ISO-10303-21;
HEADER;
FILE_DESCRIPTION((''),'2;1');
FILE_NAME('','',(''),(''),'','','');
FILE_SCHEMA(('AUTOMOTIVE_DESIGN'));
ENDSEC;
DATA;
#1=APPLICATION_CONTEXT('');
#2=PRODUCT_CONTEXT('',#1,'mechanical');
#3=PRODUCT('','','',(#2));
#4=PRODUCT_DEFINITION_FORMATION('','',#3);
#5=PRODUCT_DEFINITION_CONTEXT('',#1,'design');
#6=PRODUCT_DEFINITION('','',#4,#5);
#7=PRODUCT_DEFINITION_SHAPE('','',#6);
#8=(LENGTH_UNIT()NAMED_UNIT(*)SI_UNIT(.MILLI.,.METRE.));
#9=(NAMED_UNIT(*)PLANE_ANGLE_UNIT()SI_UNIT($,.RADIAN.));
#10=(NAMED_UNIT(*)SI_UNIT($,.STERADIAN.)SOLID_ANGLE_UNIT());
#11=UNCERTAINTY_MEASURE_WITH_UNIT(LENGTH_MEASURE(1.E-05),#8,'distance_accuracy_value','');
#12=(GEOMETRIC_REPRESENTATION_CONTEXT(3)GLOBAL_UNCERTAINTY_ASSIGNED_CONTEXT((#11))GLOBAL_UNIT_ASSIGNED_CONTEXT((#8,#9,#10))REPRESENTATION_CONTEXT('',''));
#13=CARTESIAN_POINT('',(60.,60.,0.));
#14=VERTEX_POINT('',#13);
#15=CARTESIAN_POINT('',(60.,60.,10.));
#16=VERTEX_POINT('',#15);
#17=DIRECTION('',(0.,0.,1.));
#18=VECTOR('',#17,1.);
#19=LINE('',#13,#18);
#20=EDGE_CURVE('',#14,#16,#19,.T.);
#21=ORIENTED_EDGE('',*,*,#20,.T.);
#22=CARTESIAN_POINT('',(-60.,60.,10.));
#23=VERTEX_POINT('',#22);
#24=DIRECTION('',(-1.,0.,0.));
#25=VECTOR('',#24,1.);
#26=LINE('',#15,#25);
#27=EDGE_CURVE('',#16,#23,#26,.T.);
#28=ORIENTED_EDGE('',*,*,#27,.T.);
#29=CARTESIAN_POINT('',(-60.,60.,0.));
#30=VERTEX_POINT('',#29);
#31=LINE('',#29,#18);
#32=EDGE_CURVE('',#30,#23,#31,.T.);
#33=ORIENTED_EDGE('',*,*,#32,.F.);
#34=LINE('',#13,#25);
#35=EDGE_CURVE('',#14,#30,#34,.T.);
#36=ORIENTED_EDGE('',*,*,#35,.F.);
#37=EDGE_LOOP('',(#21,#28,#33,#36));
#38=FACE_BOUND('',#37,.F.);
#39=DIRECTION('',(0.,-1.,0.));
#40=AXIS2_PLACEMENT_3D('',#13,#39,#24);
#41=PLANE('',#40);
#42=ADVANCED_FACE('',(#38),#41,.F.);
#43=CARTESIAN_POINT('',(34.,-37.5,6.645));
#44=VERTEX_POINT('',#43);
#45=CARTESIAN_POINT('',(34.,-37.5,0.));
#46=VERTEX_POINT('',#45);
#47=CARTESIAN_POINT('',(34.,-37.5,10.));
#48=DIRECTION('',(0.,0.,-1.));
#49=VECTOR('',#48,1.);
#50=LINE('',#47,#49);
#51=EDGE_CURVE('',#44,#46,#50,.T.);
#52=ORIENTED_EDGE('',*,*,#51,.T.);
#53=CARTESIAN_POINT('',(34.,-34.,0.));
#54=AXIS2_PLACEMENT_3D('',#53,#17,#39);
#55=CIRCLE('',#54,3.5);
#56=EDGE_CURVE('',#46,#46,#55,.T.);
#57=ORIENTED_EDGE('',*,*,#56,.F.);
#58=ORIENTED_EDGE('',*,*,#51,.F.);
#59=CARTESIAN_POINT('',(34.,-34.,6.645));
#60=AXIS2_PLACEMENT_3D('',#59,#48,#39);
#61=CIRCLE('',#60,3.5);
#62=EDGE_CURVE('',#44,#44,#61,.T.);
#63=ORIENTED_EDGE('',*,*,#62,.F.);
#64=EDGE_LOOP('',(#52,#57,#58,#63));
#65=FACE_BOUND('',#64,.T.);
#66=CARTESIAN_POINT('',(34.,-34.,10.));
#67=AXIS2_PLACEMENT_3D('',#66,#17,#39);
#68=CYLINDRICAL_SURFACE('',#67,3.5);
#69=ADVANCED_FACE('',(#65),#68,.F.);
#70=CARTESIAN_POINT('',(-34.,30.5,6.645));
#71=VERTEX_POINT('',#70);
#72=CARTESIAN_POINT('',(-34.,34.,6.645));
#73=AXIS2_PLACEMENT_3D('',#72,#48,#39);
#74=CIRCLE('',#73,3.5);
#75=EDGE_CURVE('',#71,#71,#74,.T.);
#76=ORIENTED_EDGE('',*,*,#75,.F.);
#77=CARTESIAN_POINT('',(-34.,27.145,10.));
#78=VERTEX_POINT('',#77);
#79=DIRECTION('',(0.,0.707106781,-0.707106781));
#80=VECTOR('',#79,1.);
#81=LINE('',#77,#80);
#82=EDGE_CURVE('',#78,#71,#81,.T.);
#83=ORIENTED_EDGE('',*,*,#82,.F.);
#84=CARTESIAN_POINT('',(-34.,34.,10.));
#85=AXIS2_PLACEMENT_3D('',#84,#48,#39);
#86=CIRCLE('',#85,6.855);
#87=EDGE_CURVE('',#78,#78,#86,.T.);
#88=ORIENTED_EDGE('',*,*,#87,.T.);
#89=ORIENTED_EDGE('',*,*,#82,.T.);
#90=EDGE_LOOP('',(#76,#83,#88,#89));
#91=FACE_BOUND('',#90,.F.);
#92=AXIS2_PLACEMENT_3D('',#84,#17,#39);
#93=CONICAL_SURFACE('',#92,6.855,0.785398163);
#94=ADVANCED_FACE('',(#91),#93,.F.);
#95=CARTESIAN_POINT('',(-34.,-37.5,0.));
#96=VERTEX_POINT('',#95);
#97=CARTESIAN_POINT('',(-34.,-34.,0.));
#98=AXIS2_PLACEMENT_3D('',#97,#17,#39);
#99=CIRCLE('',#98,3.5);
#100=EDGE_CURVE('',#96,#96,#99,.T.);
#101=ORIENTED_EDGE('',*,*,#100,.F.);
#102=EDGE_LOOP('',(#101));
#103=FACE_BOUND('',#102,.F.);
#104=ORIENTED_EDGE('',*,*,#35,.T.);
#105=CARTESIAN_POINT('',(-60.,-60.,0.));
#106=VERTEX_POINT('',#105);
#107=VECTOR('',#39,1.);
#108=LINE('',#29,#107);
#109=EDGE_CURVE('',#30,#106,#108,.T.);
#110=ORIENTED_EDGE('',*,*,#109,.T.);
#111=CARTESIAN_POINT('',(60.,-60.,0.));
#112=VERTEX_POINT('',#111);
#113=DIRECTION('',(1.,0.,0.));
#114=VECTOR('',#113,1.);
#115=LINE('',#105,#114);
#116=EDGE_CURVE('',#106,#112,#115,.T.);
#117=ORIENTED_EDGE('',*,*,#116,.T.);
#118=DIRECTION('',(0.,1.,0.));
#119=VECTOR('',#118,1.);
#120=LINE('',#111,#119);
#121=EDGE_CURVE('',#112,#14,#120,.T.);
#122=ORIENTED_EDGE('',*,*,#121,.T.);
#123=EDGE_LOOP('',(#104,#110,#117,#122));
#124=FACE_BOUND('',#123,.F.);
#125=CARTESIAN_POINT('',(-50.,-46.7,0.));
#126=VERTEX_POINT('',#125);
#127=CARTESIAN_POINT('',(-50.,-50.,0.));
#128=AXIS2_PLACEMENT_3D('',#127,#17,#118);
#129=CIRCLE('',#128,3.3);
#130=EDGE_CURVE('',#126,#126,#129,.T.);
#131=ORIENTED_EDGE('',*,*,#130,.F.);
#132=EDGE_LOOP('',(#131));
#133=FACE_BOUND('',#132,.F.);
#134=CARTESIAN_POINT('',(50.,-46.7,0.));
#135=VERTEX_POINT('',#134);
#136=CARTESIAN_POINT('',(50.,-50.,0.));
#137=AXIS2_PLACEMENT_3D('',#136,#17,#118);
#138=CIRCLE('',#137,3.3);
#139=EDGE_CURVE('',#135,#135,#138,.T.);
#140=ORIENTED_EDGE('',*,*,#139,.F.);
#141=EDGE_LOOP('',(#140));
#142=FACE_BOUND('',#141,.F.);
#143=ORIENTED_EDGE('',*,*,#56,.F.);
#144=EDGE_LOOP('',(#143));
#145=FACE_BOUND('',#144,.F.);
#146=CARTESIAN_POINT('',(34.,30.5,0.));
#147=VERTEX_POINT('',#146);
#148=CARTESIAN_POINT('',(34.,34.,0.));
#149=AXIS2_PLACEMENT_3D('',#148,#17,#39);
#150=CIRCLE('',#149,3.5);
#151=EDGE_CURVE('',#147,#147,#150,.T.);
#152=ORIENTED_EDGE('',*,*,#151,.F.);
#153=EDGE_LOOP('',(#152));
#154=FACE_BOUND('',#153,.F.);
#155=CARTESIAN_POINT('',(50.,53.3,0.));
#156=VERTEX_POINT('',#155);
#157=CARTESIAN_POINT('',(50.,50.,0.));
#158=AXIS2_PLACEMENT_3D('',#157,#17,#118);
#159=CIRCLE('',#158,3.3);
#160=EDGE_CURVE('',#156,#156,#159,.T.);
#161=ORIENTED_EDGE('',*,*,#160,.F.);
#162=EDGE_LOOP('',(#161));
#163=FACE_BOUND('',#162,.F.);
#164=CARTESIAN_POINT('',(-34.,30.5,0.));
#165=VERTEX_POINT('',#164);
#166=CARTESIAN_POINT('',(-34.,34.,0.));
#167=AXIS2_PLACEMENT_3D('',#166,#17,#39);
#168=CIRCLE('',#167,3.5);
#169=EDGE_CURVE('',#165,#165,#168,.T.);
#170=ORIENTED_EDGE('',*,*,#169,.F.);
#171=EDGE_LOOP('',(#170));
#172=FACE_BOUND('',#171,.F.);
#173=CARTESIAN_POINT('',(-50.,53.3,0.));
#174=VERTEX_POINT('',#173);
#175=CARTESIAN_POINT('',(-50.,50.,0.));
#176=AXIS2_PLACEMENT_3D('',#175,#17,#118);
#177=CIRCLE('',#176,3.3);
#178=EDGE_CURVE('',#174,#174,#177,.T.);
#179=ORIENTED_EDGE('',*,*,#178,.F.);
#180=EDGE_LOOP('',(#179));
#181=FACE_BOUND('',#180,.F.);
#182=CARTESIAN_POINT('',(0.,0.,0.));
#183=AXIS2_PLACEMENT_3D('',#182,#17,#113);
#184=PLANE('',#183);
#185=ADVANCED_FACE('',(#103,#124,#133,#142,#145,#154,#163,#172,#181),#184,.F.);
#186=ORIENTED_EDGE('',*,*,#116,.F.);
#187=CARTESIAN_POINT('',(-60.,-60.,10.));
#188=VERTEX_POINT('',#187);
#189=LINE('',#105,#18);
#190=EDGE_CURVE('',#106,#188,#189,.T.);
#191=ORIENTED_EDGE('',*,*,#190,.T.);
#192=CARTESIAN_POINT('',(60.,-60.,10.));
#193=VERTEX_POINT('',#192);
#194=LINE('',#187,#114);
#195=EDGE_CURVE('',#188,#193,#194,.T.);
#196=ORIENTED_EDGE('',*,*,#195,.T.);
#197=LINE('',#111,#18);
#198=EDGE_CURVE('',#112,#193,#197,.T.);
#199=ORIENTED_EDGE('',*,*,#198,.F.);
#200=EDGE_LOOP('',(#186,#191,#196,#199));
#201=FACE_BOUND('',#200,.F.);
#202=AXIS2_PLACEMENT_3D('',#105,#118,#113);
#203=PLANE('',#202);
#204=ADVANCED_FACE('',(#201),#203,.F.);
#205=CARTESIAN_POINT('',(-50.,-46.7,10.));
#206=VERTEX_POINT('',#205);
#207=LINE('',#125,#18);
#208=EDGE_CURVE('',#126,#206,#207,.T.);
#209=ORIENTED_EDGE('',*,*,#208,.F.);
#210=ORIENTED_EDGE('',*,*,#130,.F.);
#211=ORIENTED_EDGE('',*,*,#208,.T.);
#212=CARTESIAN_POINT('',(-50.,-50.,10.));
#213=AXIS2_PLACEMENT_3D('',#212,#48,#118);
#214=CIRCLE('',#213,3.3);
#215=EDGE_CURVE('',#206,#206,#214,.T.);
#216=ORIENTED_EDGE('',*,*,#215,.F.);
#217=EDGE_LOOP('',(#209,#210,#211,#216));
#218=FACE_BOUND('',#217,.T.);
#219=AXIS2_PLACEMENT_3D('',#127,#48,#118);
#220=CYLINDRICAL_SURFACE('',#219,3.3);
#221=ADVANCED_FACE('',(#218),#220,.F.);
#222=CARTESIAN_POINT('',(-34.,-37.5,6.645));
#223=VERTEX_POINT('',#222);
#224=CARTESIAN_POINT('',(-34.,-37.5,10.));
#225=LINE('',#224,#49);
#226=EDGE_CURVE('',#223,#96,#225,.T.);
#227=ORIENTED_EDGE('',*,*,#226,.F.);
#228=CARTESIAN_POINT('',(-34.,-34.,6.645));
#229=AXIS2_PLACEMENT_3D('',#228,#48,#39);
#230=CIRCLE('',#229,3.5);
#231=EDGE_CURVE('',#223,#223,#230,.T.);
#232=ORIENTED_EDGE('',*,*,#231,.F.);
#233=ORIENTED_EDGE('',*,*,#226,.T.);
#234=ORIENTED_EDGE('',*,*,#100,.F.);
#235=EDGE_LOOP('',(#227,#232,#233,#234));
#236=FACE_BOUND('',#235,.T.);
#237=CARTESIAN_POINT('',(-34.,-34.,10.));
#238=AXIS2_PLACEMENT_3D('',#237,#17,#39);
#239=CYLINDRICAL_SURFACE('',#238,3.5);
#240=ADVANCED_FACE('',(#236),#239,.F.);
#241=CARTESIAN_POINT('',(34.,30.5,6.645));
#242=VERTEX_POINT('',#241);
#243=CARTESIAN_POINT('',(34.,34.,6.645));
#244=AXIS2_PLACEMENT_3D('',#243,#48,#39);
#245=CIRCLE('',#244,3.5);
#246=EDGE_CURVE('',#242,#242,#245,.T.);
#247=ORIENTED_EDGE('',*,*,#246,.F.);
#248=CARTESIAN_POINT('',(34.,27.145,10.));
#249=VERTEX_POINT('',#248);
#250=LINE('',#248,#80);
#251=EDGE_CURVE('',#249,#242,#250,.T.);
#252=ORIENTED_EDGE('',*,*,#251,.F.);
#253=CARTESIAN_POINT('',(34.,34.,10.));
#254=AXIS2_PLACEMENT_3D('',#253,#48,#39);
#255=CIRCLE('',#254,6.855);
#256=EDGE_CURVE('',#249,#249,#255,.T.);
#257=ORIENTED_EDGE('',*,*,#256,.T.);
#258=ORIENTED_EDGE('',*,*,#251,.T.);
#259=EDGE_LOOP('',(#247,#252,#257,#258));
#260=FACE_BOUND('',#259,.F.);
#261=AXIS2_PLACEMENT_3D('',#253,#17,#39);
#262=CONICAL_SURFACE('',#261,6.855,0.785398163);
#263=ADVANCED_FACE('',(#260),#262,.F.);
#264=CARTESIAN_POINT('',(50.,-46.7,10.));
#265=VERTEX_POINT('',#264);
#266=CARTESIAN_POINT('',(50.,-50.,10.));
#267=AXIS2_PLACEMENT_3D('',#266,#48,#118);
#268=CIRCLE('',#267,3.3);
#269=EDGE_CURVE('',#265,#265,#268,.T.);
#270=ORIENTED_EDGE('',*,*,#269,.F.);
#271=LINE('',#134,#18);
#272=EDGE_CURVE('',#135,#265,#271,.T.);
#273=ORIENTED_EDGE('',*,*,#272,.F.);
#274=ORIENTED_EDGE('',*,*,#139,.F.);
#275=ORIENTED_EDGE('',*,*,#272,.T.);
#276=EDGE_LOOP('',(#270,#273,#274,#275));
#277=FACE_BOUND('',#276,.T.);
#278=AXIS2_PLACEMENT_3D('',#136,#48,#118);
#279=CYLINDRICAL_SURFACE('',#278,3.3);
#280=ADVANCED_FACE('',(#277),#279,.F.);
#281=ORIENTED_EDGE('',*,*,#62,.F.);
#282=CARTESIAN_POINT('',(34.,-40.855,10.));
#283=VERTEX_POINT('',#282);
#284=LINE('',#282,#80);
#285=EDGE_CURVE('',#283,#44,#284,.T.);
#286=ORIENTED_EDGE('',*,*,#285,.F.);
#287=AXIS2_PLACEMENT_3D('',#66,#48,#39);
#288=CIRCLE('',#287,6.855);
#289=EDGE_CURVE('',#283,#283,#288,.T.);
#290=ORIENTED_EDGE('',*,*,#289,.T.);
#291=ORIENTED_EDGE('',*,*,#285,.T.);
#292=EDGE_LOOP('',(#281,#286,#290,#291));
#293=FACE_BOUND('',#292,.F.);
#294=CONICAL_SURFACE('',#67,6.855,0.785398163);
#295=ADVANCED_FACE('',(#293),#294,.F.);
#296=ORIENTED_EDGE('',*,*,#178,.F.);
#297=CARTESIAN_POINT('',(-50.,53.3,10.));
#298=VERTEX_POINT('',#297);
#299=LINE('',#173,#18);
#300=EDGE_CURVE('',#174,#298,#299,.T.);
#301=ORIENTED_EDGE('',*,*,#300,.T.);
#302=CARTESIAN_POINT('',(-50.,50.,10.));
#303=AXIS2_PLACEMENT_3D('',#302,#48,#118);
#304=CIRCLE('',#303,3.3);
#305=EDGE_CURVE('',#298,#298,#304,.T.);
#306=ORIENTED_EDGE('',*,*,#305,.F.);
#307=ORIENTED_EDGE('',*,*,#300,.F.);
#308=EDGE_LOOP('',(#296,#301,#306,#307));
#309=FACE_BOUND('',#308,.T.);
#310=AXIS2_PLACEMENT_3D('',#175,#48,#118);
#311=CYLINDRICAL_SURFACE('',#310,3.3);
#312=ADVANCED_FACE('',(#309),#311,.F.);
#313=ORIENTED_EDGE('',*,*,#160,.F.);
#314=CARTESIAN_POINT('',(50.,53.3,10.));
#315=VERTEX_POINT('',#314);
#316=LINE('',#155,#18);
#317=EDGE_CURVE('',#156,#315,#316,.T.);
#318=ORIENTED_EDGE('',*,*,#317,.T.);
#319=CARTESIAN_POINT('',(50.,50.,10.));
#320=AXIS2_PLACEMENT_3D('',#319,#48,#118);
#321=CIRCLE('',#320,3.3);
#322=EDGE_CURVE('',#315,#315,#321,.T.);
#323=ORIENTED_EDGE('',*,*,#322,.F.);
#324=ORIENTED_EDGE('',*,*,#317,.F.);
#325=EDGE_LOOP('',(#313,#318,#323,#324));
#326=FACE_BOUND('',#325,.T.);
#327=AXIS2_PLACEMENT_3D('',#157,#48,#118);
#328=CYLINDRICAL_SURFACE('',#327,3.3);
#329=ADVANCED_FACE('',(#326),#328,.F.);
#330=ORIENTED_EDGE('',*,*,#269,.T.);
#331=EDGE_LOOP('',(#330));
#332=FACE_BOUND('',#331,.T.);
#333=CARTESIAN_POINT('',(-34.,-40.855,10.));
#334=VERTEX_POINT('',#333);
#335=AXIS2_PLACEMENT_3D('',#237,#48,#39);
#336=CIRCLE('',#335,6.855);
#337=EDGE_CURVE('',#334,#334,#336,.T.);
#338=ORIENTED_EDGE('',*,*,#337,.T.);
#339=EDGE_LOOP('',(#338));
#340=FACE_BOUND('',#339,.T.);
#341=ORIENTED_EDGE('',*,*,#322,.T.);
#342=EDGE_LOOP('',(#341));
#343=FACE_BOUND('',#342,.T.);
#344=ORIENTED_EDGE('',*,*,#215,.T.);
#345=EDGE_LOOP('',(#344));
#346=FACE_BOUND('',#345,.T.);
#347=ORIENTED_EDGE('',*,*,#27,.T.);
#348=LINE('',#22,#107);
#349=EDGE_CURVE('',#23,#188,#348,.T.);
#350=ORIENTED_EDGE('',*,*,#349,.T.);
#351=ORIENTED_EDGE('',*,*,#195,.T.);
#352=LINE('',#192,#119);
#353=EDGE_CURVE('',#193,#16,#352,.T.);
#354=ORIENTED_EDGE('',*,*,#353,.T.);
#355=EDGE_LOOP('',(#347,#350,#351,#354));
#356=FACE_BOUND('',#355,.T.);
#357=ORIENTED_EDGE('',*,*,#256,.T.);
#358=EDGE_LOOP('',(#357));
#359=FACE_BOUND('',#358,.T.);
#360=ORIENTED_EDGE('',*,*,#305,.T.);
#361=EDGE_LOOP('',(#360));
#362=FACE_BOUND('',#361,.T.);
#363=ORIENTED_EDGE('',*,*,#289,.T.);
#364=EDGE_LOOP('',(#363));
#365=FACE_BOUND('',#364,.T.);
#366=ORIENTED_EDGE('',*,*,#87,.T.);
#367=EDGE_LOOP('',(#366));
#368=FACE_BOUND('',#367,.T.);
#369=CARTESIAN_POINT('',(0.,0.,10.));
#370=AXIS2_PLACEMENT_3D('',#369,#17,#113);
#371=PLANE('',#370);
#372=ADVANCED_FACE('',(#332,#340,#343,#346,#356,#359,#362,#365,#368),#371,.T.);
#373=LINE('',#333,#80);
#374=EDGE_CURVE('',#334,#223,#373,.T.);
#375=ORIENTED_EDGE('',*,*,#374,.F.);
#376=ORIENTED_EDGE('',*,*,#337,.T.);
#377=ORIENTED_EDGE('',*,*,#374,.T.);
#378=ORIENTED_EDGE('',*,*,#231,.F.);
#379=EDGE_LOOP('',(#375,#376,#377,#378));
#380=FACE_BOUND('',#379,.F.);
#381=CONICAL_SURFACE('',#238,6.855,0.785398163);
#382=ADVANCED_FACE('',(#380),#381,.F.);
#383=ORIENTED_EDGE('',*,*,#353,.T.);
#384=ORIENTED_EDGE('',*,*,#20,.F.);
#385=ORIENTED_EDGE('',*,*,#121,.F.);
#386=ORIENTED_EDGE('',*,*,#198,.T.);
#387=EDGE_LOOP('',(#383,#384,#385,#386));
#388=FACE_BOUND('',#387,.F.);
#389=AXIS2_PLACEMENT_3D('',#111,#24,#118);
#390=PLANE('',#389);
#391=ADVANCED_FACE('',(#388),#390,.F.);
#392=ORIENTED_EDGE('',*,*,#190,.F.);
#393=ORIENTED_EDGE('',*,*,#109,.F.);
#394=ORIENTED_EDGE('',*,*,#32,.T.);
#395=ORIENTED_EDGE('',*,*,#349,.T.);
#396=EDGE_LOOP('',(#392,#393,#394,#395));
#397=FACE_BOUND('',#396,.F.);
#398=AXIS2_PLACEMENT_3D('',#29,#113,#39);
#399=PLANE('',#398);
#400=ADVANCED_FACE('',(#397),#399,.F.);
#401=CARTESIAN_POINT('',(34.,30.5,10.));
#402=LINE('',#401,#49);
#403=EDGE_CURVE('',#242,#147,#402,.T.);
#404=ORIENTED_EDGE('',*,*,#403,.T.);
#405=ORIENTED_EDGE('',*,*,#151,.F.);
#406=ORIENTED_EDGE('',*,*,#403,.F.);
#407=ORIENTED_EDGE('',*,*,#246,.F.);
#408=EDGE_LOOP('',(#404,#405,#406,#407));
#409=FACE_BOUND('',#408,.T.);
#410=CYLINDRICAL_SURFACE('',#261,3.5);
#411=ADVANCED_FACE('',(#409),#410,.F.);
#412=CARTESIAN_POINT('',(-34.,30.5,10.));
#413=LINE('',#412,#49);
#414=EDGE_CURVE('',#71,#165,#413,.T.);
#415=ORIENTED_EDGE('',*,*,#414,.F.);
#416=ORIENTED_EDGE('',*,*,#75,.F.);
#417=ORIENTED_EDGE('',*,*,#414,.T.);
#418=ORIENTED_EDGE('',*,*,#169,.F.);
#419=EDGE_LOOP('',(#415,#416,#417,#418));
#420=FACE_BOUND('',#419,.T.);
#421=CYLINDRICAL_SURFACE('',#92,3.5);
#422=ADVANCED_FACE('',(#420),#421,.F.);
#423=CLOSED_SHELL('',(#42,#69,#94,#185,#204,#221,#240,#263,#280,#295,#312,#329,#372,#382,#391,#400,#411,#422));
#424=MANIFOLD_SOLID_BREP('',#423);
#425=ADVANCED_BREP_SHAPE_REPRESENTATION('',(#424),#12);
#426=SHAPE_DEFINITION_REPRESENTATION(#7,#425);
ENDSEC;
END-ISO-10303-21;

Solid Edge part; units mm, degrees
sketch "Sketch1" plane through (0, 0, 0) normal (0, 0, 1) x (1, 0, 0)
  line L0 (-60, -60) -> (60, -60)
  line L1 (60, -60) -> (60, 60)
  line L2 (60, 60) -> (-60, 60)
  line L3 (-60, 60) -> (-60, -60)
extrude "Extrusionsausprägung_20" add sketch "Sketch1" along normal blind 10
hole "Bohrung_4" at (34, -34, 10) direction (0, 0, -1) diameter 7 end up to next countersink diameter 13.71 countersink angle 90
hole "Hole1" at (34, 34, 10) direction (0, 0, -1) diameter 7 end up to next countersink diameter 13.71 countersink angle 90
hole "Hole2" at (-34, 34, 10) direction (0, 0, -1) diameter 7 end up to next countersink diameter 13.71 countersink angle 90
hole "Hole3" at (-34, -34, 10) direction (0, 0, -1) diameter 7 end up to next countersink diameter 13.71 countersink angle 90
hole "Bohrung_12" at (-50, -50, 0) direction (0, 0, 1) diameter 6.6 end up to next
hole "Hole4" at (50, -50, 0) direction (0, 0, 1) diameter 6.6 end up to next
hole "Hole5" at (50, 50, 0) direction (0, 0, 1) diameter 6.6 end up to next
hole "Hole6" at (-50, 50, 0) direction (0, 0, 1) diameter 6.6 end up to next
